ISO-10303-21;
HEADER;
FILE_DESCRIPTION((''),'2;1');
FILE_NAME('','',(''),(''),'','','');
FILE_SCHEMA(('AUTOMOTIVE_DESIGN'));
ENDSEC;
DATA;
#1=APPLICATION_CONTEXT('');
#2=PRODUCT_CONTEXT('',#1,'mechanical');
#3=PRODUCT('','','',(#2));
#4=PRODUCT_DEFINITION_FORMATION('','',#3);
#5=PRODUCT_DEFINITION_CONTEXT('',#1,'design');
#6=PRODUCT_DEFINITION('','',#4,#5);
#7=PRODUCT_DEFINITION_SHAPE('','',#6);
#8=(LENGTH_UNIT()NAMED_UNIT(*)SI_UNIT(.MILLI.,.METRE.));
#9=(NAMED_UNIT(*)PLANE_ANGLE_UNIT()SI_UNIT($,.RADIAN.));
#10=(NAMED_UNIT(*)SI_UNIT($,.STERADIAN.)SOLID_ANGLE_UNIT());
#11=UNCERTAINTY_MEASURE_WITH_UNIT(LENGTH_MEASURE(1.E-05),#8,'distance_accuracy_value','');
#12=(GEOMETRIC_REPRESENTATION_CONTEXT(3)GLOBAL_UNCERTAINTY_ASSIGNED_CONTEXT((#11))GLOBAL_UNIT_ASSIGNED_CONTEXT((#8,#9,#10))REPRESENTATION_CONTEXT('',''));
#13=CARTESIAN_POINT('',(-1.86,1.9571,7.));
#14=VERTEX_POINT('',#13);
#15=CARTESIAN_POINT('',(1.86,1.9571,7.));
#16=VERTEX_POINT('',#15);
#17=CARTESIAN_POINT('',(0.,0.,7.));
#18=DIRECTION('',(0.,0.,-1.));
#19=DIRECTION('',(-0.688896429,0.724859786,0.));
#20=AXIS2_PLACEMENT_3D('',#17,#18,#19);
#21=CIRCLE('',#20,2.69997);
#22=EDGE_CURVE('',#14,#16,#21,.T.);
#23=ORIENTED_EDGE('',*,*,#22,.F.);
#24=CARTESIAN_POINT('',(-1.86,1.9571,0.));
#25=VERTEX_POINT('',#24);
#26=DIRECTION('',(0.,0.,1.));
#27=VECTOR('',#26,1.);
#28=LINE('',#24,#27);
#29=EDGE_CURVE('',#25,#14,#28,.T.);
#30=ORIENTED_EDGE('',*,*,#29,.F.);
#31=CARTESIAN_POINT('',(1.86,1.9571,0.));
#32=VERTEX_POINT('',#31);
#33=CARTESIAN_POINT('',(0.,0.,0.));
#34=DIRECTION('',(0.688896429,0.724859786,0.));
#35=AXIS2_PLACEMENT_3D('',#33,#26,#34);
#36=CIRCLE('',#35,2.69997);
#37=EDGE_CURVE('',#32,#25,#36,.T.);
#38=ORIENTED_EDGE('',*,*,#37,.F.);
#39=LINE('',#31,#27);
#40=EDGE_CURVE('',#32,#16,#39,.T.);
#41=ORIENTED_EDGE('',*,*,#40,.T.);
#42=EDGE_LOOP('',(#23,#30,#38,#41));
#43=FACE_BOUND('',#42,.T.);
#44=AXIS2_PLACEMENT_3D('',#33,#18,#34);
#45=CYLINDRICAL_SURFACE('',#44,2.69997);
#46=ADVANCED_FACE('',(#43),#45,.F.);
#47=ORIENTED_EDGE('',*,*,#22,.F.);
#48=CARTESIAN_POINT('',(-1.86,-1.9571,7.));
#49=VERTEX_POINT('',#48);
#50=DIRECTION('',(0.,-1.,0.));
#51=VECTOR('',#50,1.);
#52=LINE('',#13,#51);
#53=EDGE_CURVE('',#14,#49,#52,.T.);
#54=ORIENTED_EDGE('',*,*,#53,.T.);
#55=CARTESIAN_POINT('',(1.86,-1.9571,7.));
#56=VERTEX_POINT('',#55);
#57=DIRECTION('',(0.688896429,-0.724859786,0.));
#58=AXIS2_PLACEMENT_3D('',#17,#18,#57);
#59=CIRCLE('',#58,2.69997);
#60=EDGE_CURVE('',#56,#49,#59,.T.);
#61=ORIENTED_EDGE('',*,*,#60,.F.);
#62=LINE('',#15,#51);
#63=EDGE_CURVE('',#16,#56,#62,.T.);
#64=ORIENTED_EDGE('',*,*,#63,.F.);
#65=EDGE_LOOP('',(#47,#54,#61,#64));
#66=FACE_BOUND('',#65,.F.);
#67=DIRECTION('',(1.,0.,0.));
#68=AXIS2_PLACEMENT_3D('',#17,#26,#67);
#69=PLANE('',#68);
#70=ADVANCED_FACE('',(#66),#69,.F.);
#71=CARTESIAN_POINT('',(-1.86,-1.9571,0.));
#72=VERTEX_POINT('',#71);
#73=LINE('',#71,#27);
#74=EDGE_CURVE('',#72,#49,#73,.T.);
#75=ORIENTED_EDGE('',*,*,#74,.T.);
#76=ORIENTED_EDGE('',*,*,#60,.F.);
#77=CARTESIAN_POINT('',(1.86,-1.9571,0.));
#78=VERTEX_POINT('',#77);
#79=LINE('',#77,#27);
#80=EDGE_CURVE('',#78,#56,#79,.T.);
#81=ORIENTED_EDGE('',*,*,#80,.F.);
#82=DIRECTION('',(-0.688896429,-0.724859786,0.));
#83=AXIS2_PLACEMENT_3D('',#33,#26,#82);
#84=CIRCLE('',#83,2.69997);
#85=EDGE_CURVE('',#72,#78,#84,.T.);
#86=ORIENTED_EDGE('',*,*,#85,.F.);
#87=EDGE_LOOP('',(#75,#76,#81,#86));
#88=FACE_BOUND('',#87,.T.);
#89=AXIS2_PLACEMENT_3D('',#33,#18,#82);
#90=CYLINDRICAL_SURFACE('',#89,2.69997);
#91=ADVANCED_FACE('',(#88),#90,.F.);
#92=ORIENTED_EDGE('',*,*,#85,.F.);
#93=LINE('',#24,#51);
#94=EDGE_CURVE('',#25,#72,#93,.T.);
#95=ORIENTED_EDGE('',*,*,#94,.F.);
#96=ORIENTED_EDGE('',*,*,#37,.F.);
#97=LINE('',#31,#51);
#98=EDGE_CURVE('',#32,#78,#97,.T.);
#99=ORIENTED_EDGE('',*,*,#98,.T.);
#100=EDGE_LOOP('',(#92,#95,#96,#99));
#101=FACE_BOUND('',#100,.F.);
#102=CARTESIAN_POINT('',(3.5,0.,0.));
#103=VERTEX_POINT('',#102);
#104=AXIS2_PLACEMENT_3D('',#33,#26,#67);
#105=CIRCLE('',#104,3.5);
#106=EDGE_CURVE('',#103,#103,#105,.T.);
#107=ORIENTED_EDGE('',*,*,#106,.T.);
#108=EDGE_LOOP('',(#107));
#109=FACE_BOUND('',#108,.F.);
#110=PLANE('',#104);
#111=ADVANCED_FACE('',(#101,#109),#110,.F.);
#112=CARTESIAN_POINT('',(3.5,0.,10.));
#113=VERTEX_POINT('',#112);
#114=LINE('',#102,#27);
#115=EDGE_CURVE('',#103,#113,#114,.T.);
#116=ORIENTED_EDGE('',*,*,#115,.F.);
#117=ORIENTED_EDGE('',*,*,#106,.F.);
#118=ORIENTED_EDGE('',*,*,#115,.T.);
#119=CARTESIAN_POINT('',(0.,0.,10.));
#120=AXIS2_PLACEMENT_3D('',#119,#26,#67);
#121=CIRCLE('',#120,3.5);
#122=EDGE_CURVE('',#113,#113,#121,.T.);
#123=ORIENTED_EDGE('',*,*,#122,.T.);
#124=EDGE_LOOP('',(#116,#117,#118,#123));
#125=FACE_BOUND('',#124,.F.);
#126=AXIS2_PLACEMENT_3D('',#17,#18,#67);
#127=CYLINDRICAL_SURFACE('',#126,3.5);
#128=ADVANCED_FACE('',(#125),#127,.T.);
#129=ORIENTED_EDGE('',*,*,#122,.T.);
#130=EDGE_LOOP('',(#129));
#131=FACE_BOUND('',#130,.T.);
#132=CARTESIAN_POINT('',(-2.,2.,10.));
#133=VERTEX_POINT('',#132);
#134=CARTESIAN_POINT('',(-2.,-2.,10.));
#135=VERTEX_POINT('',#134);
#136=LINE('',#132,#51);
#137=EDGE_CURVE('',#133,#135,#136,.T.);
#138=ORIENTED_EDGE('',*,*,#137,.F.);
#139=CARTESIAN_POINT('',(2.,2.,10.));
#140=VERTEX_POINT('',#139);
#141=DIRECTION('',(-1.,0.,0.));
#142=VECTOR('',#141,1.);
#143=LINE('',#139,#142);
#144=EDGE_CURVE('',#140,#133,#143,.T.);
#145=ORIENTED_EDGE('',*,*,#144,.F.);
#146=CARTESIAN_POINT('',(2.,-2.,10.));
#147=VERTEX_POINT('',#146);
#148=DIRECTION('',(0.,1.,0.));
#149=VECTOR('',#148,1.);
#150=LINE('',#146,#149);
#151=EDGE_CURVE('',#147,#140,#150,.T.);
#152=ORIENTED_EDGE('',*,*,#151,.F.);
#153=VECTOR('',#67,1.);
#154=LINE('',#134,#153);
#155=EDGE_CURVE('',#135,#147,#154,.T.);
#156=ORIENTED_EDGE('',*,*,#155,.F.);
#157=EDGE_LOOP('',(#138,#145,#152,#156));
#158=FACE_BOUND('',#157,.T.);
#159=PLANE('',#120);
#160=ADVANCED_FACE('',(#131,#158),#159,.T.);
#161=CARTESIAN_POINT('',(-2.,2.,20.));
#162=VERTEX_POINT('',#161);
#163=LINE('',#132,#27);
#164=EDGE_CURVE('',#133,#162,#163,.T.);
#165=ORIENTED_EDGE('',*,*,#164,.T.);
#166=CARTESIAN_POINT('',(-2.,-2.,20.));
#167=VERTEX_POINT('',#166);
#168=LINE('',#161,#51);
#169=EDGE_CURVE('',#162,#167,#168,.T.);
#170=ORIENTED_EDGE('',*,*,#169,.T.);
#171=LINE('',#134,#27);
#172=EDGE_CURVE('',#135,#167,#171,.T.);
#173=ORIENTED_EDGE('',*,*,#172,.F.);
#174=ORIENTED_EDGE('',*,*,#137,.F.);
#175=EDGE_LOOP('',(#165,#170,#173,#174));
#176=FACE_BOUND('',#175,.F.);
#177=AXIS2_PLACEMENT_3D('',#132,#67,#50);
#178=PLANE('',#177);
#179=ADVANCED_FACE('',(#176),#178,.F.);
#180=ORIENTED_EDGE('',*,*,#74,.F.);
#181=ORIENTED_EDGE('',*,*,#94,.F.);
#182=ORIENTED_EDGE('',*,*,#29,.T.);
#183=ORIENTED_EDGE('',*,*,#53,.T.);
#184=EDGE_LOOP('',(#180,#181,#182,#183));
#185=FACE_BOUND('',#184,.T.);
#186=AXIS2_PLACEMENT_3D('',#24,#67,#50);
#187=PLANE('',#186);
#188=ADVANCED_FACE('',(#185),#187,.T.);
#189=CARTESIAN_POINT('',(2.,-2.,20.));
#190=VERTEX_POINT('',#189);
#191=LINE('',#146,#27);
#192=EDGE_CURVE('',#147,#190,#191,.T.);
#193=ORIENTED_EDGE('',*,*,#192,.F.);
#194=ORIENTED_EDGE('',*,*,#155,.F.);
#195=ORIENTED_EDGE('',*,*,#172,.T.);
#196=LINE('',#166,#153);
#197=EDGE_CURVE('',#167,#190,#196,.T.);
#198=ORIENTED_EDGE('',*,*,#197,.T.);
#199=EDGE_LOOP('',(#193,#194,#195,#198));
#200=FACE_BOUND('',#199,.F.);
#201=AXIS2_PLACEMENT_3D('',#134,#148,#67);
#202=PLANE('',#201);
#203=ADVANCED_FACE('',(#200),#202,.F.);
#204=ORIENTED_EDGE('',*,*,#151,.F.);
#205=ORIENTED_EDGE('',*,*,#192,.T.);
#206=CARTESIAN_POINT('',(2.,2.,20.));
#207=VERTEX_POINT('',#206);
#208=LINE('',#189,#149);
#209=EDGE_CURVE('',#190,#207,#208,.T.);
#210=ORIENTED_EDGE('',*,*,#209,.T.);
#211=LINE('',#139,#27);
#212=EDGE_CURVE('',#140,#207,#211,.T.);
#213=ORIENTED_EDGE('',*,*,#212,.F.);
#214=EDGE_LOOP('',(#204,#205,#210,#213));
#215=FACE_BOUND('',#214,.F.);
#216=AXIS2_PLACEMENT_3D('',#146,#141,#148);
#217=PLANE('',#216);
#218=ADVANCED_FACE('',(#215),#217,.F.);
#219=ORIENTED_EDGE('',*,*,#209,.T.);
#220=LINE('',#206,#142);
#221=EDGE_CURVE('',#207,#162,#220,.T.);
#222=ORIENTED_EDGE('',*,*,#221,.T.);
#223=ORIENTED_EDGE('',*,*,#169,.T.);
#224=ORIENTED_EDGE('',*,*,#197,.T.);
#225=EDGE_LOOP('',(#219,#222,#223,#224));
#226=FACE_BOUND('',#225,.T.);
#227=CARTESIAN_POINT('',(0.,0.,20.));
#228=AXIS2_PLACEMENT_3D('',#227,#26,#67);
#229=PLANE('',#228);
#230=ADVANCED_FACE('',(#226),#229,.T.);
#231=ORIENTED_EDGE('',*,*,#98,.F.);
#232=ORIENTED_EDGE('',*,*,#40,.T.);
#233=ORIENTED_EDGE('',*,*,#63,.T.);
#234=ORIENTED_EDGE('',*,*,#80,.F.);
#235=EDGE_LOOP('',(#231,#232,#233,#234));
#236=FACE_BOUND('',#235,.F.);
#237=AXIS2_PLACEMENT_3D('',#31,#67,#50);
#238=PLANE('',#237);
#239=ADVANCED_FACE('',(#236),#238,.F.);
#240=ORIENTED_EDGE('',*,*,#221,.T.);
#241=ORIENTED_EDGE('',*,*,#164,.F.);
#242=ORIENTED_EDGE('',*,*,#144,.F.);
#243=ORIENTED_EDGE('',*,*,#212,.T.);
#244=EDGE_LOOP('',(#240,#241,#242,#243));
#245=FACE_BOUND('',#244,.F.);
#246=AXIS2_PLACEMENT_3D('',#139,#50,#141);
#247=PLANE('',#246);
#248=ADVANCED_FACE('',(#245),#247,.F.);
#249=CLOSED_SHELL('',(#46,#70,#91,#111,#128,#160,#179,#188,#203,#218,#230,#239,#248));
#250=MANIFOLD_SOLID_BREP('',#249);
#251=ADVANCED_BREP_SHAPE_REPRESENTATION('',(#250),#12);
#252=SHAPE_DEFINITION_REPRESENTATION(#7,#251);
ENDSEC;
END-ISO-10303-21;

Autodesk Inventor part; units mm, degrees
ref_plane "YZ Plane" through (0, 0, 0) normal (1, 0, 0) x (0, 1, 0)
ref_plane "XZ Plane" through (0, 0, 0) normal (0, 1, 0) x (-1, 0, 0)
ref_plane "XY Plane" through (0, 0, 0) normal (0, 0, 1) x (1, 0, 0)
sketch "Sketch1" plane through (0, 0, 0) normal (0, 0, 1) x (1, 0, 0)
  circle A0 centre (0, 0) radius 3.5
  line L0 (1.86, 1.9571) -> (1.86, -1.9571)
  line L1 (0, 3.5) -> (0, -3.5)
  line L2 (-1.86, 1.9571) -> (-1.86, -1.9571)
  arc A1 (-1.86, -1.9571) -> (1.86, -1.9571) centre (0, 0) ccw
  arc A2 (1.86, 1.9571) -> (-1.86, 1.9571) centre (0, 0) ccw
  dimension "d0" = 7
  dimension "d1" = 2.7
  dimension "d2" = 3.72
extrude "Extrusion1" add sketch "Sketch1" along normal blind 7 contours A0 L1 A1 L0 A2 | L1 A2 L2 A1 A0
sketch "Sketch2" plane through (0, 0, 7) normal (0, 0, 1) x (1, 0, 0)
  circle A0 centre (0, 0) radius 3.5
  circle A1 centre (0, 0) radius 3.5 projected
extrude "Extrusion2" add sketch "Sketch2" along normal blind 3
sketch "Sketch3" plane through (0, 0, 10) normal (0, 0, 1) x (1, 0, 0)
  line L0 (-2, -2) -> (2, -2)
  line L1 (2, -2) -> (2, 2)
  line L2 (2, 2) -> (-2, 2)
  line L3 (-2, 2) -> (-2, -2)
  line L4 (-2, -2) -> (2, 2) construction
  line L5 (2, -2) -> (-2, 2) construction
  point P0 (0, 0)
  dimension "d7" = 4
  dimension "d8" = 4
extrude "Extrusion3" add sketch "Sketch3" along normal blind 10
properties part number "Geared Motor Transmission"
